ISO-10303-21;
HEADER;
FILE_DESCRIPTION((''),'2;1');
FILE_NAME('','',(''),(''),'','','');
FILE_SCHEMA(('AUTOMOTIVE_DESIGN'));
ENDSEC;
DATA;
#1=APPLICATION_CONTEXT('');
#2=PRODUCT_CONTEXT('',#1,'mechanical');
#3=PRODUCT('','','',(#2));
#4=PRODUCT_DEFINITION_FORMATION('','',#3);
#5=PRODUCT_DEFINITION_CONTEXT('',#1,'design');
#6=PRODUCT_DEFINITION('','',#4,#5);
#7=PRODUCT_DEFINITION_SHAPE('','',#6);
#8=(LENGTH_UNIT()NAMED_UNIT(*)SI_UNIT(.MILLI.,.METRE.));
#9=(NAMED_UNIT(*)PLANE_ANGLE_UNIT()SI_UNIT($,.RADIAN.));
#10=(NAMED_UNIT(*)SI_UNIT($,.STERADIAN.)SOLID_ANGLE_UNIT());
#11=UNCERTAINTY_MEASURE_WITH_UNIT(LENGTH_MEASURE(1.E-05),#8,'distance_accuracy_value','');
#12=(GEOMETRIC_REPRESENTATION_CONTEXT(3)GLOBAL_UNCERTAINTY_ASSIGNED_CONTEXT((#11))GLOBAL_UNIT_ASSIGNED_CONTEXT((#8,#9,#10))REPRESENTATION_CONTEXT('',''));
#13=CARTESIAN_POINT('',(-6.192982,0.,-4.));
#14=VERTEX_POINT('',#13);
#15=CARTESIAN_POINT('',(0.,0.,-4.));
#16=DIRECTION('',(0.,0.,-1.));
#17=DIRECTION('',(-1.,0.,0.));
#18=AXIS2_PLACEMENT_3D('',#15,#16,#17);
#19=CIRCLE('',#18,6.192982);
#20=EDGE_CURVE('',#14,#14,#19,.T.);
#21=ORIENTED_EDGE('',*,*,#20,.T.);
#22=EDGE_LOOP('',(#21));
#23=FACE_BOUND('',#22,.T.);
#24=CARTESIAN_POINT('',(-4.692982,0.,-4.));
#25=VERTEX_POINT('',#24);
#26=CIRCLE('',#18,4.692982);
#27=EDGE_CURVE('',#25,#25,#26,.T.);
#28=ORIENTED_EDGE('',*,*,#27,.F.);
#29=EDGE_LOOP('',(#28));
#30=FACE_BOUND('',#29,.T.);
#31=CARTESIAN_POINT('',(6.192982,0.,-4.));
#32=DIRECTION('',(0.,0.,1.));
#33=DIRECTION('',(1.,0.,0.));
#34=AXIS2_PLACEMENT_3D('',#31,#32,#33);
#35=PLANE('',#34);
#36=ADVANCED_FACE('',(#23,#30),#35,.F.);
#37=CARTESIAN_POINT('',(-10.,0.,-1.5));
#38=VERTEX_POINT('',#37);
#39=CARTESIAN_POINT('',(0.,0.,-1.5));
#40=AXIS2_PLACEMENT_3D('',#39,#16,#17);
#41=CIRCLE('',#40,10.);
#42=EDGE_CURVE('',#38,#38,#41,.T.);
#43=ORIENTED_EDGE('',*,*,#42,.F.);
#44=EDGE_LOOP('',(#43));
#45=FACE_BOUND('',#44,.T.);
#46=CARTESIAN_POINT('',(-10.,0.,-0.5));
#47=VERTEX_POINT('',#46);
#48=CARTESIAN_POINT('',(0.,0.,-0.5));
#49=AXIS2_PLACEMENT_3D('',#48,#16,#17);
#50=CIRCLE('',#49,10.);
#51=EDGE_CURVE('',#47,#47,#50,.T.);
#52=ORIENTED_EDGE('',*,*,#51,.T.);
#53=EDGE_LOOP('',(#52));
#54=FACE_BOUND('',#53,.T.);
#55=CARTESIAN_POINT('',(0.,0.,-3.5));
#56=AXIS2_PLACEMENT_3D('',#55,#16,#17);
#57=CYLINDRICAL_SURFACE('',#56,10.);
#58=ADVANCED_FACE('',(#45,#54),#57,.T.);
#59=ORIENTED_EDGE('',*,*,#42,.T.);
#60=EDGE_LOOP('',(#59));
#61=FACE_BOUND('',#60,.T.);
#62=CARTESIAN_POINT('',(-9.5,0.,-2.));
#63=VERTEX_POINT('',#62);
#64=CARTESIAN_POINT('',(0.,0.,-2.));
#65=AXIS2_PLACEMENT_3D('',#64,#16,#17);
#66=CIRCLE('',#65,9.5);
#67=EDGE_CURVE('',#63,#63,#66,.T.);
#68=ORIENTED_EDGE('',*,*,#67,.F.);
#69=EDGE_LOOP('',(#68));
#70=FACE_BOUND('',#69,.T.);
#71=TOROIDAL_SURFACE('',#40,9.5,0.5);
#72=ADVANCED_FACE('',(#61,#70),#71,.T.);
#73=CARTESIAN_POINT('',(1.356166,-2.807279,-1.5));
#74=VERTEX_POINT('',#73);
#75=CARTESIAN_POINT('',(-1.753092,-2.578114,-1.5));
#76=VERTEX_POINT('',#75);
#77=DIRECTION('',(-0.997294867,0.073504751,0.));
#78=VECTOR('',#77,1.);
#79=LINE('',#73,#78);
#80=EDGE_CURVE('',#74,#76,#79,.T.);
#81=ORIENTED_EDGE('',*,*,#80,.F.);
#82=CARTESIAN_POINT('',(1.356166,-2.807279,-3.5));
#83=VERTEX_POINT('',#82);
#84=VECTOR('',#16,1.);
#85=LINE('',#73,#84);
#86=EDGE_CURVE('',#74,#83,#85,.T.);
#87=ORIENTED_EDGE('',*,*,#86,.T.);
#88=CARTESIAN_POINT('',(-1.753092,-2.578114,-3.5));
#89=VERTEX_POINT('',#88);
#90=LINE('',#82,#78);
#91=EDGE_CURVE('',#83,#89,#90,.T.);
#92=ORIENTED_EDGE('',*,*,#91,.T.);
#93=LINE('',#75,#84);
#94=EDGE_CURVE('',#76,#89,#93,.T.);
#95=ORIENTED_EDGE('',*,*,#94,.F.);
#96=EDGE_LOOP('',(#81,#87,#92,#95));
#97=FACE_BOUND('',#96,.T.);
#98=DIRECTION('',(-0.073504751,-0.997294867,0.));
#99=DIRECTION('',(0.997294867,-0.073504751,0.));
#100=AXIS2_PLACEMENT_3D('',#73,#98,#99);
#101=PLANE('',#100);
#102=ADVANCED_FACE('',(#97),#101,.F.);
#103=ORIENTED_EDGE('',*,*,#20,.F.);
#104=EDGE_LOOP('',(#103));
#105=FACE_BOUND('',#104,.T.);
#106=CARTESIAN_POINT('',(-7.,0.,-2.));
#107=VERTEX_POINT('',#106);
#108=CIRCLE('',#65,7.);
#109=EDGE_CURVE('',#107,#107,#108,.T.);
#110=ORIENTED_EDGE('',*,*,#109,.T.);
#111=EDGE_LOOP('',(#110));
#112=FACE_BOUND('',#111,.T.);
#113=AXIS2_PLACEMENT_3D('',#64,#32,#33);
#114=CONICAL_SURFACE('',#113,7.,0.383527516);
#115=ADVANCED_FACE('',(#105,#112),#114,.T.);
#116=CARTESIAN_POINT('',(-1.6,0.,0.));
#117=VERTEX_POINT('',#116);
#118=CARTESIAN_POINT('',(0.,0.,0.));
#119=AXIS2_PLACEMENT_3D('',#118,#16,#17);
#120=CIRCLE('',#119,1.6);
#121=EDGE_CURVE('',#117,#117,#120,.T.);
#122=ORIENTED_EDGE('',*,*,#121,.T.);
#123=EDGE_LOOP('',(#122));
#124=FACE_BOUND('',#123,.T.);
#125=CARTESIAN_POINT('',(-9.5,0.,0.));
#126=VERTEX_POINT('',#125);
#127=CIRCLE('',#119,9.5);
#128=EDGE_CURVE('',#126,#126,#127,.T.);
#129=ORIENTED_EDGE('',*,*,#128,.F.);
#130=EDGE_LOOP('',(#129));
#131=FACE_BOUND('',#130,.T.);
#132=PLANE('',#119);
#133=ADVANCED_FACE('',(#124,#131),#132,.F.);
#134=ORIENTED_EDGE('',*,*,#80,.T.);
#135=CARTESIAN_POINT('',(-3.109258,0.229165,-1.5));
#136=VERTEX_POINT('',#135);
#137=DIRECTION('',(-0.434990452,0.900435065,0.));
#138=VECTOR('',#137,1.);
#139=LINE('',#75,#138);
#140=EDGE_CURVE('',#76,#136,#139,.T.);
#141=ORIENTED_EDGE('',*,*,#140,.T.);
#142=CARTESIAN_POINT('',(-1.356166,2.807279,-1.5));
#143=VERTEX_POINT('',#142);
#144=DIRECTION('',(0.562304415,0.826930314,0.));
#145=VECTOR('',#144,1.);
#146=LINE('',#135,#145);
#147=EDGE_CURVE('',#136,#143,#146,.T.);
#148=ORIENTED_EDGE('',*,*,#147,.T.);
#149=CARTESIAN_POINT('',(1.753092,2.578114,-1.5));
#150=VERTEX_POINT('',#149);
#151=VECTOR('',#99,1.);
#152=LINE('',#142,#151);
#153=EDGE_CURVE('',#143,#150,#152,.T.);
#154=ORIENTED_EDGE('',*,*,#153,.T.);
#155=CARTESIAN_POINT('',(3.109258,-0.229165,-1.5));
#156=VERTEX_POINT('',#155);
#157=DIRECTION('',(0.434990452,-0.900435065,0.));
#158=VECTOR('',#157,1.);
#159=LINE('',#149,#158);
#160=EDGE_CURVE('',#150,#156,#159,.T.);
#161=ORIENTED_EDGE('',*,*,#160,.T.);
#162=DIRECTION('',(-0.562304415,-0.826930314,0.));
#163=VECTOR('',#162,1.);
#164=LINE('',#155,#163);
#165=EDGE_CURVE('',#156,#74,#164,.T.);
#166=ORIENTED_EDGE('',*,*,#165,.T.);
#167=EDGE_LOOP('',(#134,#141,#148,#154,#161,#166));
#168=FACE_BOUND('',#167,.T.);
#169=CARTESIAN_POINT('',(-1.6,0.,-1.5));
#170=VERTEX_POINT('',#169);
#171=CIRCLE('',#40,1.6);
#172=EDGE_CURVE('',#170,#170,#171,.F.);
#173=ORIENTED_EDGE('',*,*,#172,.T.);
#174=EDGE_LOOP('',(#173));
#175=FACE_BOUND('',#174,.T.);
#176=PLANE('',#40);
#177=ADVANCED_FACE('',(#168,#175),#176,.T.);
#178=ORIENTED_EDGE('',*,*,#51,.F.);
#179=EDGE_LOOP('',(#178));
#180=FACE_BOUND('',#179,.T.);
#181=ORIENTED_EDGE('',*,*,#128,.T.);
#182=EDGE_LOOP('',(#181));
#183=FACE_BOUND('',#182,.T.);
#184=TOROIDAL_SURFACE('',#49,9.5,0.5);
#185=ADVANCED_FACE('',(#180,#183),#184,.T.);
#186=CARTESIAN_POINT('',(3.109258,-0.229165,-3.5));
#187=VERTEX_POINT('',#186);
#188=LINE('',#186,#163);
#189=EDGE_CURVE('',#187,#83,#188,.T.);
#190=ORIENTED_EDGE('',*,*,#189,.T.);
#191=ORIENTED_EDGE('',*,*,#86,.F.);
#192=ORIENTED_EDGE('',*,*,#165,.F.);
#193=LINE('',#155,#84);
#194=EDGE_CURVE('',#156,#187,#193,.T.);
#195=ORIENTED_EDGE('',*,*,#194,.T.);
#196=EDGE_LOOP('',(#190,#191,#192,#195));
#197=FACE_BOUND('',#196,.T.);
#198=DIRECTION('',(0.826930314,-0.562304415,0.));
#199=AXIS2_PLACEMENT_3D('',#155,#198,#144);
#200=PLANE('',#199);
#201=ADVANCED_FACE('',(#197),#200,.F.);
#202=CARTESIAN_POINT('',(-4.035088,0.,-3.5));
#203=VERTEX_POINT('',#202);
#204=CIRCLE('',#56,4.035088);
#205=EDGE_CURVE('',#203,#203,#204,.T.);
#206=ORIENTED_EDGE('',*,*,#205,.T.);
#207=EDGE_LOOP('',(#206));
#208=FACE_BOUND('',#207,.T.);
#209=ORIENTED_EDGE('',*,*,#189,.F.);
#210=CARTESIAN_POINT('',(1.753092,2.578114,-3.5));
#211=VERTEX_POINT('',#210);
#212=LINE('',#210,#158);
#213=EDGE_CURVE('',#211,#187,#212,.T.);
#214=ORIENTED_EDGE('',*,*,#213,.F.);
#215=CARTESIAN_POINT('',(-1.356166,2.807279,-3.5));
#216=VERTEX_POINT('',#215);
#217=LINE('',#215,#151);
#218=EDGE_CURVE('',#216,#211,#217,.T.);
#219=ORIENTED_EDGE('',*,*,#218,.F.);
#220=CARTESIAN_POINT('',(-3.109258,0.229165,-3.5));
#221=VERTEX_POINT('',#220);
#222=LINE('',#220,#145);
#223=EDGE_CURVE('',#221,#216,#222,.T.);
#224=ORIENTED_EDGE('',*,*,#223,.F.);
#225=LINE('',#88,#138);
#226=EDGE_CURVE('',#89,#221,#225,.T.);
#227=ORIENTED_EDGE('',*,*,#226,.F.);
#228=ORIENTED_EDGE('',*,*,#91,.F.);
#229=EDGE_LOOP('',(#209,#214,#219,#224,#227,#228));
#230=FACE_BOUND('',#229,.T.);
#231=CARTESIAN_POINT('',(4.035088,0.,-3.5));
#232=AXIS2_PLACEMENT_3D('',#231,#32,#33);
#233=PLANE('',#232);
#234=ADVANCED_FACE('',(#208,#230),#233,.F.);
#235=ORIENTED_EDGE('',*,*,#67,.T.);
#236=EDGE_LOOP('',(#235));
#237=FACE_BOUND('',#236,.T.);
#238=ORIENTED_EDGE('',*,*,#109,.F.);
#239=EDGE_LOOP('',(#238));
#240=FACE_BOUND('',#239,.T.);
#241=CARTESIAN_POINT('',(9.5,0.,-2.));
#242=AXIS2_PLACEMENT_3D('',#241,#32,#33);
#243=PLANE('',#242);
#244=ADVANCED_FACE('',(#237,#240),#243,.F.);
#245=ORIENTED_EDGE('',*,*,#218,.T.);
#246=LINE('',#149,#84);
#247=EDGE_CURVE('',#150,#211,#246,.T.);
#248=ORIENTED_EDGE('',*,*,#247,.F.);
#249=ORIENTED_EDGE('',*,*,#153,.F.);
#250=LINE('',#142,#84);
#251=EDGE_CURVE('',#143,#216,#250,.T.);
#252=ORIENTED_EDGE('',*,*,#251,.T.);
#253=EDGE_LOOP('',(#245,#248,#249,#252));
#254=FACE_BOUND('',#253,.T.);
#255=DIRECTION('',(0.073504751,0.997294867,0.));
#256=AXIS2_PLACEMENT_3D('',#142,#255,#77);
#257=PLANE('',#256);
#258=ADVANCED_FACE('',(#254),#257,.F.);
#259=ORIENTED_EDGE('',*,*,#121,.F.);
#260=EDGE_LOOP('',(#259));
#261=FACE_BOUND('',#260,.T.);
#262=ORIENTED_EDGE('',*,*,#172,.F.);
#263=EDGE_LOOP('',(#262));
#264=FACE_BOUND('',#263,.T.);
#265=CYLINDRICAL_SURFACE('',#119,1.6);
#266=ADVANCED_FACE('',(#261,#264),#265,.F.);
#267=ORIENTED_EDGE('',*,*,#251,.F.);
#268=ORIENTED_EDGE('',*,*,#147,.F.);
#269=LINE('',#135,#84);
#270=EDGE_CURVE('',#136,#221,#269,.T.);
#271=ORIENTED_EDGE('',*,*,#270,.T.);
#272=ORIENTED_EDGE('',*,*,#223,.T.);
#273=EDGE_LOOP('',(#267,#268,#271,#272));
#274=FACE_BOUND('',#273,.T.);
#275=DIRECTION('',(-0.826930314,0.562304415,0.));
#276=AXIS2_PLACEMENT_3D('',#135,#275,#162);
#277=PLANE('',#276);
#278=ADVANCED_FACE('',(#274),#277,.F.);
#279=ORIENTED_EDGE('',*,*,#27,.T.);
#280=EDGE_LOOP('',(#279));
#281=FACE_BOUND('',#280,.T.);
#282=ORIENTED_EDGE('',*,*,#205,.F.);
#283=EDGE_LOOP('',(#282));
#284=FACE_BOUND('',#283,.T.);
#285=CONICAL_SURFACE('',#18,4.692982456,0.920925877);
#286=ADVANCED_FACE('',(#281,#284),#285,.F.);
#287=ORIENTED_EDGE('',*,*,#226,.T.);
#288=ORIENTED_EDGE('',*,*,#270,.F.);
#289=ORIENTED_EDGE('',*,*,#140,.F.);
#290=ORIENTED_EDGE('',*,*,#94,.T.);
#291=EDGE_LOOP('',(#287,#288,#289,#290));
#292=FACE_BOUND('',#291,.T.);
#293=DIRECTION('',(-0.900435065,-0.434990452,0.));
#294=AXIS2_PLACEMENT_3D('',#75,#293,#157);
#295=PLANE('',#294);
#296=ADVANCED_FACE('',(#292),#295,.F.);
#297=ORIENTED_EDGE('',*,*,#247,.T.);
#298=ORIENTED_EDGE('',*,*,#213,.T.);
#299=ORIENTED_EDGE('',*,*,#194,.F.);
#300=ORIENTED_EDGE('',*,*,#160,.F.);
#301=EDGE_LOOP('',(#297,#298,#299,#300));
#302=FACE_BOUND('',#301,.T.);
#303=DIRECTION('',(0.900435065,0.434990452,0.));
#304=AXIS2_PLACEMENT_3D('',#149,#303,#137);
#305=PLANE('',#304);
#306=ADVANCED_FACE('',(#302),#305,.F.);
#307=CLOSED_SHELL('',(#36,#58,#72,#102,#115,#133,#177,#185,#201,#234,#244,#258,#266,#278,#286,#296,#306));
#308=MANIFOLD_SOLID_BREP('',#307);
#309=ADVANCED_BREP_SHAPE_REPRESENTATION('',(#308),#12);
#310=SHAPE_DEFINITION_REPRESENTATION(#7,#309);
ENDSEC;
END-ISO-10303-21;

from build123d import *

# Parameters (mm, degrees)
SKETCH2_R          = 1.6
CUT_EXTRUDE1_DEPTH = 15.568802353
CUT_EXTRUDE2_DEPTH = 2


with BuildPart() as part:
    # Sketch1 → Revolve1 (revolve)
    with BuildSketch(Plane(origin=(0, 0, 0), x_dir=(1, 0, 0), z_dir=(0, 1, 0)), mode=Mode.PRIVATE) as revolve1_sk:
        with BuildLine():
            Line((0, 0), (9.5, 0))
            ThreePointArc((9.5, 0), (9.853553391, 0.146446609), (10, 0.5))
            Line((10, 0.5), (10, 1.5))
            ThreePointArc((10, 1.5), (9.853553391, 1.853553391), (9.5, 2))
            Line((9.5, 2), (7, 2))
            Line((7, 2), (6.192982456, 4))
            Line((6.192982456, 4), (4.692982456, 4))
            Line((4.692982456, 4), (4.035087719, 3.5))
            Line((4.035087719, 3.5), (0, 3.5))
            Line((0, 3.5), (0, 0))
        make_face()
    revolve(revolve1_sk.sketch.rotate(Axis((0, 0, -3.5), (0, 0, 1)), 180), axis=Axis((0, 0, -3.5), (0, 0, 1)))

    # Sketch2 → Cut-Extrude1 (cut, through all)
    with BuildSketch(Plane(origin=(0, 0, -3.5), x_dir=(-1, 0, 0), z_dir=(0, 0, -1))):
        Circle(SKETCH2_R)
    extrude(amount=-CUT_EXTRUDE1_DEPTH, mode=Mode.SUBTRACT)

    # Sketch3 → Cut-Extrude2 (cut)
    with BuildSketch(Plane(origin=(0, 0, -3.5), x_dir=(-1, 0, 0), z_dir=(0, 0, -1))):
        Polygon((-1.356166015, -2.807278707), (1.753091669, -2.578113574), (3.109257683, 0.229165133), (1.356166015, 2.807278707), (-1.753091669, 2.578113574), (-3.109257683, -0.229165133), align=None)
    extrude(amount=-CUT_EXTRUDE2_DEPTH, mode=Mode.SUBTRACT)


solid = part.part
